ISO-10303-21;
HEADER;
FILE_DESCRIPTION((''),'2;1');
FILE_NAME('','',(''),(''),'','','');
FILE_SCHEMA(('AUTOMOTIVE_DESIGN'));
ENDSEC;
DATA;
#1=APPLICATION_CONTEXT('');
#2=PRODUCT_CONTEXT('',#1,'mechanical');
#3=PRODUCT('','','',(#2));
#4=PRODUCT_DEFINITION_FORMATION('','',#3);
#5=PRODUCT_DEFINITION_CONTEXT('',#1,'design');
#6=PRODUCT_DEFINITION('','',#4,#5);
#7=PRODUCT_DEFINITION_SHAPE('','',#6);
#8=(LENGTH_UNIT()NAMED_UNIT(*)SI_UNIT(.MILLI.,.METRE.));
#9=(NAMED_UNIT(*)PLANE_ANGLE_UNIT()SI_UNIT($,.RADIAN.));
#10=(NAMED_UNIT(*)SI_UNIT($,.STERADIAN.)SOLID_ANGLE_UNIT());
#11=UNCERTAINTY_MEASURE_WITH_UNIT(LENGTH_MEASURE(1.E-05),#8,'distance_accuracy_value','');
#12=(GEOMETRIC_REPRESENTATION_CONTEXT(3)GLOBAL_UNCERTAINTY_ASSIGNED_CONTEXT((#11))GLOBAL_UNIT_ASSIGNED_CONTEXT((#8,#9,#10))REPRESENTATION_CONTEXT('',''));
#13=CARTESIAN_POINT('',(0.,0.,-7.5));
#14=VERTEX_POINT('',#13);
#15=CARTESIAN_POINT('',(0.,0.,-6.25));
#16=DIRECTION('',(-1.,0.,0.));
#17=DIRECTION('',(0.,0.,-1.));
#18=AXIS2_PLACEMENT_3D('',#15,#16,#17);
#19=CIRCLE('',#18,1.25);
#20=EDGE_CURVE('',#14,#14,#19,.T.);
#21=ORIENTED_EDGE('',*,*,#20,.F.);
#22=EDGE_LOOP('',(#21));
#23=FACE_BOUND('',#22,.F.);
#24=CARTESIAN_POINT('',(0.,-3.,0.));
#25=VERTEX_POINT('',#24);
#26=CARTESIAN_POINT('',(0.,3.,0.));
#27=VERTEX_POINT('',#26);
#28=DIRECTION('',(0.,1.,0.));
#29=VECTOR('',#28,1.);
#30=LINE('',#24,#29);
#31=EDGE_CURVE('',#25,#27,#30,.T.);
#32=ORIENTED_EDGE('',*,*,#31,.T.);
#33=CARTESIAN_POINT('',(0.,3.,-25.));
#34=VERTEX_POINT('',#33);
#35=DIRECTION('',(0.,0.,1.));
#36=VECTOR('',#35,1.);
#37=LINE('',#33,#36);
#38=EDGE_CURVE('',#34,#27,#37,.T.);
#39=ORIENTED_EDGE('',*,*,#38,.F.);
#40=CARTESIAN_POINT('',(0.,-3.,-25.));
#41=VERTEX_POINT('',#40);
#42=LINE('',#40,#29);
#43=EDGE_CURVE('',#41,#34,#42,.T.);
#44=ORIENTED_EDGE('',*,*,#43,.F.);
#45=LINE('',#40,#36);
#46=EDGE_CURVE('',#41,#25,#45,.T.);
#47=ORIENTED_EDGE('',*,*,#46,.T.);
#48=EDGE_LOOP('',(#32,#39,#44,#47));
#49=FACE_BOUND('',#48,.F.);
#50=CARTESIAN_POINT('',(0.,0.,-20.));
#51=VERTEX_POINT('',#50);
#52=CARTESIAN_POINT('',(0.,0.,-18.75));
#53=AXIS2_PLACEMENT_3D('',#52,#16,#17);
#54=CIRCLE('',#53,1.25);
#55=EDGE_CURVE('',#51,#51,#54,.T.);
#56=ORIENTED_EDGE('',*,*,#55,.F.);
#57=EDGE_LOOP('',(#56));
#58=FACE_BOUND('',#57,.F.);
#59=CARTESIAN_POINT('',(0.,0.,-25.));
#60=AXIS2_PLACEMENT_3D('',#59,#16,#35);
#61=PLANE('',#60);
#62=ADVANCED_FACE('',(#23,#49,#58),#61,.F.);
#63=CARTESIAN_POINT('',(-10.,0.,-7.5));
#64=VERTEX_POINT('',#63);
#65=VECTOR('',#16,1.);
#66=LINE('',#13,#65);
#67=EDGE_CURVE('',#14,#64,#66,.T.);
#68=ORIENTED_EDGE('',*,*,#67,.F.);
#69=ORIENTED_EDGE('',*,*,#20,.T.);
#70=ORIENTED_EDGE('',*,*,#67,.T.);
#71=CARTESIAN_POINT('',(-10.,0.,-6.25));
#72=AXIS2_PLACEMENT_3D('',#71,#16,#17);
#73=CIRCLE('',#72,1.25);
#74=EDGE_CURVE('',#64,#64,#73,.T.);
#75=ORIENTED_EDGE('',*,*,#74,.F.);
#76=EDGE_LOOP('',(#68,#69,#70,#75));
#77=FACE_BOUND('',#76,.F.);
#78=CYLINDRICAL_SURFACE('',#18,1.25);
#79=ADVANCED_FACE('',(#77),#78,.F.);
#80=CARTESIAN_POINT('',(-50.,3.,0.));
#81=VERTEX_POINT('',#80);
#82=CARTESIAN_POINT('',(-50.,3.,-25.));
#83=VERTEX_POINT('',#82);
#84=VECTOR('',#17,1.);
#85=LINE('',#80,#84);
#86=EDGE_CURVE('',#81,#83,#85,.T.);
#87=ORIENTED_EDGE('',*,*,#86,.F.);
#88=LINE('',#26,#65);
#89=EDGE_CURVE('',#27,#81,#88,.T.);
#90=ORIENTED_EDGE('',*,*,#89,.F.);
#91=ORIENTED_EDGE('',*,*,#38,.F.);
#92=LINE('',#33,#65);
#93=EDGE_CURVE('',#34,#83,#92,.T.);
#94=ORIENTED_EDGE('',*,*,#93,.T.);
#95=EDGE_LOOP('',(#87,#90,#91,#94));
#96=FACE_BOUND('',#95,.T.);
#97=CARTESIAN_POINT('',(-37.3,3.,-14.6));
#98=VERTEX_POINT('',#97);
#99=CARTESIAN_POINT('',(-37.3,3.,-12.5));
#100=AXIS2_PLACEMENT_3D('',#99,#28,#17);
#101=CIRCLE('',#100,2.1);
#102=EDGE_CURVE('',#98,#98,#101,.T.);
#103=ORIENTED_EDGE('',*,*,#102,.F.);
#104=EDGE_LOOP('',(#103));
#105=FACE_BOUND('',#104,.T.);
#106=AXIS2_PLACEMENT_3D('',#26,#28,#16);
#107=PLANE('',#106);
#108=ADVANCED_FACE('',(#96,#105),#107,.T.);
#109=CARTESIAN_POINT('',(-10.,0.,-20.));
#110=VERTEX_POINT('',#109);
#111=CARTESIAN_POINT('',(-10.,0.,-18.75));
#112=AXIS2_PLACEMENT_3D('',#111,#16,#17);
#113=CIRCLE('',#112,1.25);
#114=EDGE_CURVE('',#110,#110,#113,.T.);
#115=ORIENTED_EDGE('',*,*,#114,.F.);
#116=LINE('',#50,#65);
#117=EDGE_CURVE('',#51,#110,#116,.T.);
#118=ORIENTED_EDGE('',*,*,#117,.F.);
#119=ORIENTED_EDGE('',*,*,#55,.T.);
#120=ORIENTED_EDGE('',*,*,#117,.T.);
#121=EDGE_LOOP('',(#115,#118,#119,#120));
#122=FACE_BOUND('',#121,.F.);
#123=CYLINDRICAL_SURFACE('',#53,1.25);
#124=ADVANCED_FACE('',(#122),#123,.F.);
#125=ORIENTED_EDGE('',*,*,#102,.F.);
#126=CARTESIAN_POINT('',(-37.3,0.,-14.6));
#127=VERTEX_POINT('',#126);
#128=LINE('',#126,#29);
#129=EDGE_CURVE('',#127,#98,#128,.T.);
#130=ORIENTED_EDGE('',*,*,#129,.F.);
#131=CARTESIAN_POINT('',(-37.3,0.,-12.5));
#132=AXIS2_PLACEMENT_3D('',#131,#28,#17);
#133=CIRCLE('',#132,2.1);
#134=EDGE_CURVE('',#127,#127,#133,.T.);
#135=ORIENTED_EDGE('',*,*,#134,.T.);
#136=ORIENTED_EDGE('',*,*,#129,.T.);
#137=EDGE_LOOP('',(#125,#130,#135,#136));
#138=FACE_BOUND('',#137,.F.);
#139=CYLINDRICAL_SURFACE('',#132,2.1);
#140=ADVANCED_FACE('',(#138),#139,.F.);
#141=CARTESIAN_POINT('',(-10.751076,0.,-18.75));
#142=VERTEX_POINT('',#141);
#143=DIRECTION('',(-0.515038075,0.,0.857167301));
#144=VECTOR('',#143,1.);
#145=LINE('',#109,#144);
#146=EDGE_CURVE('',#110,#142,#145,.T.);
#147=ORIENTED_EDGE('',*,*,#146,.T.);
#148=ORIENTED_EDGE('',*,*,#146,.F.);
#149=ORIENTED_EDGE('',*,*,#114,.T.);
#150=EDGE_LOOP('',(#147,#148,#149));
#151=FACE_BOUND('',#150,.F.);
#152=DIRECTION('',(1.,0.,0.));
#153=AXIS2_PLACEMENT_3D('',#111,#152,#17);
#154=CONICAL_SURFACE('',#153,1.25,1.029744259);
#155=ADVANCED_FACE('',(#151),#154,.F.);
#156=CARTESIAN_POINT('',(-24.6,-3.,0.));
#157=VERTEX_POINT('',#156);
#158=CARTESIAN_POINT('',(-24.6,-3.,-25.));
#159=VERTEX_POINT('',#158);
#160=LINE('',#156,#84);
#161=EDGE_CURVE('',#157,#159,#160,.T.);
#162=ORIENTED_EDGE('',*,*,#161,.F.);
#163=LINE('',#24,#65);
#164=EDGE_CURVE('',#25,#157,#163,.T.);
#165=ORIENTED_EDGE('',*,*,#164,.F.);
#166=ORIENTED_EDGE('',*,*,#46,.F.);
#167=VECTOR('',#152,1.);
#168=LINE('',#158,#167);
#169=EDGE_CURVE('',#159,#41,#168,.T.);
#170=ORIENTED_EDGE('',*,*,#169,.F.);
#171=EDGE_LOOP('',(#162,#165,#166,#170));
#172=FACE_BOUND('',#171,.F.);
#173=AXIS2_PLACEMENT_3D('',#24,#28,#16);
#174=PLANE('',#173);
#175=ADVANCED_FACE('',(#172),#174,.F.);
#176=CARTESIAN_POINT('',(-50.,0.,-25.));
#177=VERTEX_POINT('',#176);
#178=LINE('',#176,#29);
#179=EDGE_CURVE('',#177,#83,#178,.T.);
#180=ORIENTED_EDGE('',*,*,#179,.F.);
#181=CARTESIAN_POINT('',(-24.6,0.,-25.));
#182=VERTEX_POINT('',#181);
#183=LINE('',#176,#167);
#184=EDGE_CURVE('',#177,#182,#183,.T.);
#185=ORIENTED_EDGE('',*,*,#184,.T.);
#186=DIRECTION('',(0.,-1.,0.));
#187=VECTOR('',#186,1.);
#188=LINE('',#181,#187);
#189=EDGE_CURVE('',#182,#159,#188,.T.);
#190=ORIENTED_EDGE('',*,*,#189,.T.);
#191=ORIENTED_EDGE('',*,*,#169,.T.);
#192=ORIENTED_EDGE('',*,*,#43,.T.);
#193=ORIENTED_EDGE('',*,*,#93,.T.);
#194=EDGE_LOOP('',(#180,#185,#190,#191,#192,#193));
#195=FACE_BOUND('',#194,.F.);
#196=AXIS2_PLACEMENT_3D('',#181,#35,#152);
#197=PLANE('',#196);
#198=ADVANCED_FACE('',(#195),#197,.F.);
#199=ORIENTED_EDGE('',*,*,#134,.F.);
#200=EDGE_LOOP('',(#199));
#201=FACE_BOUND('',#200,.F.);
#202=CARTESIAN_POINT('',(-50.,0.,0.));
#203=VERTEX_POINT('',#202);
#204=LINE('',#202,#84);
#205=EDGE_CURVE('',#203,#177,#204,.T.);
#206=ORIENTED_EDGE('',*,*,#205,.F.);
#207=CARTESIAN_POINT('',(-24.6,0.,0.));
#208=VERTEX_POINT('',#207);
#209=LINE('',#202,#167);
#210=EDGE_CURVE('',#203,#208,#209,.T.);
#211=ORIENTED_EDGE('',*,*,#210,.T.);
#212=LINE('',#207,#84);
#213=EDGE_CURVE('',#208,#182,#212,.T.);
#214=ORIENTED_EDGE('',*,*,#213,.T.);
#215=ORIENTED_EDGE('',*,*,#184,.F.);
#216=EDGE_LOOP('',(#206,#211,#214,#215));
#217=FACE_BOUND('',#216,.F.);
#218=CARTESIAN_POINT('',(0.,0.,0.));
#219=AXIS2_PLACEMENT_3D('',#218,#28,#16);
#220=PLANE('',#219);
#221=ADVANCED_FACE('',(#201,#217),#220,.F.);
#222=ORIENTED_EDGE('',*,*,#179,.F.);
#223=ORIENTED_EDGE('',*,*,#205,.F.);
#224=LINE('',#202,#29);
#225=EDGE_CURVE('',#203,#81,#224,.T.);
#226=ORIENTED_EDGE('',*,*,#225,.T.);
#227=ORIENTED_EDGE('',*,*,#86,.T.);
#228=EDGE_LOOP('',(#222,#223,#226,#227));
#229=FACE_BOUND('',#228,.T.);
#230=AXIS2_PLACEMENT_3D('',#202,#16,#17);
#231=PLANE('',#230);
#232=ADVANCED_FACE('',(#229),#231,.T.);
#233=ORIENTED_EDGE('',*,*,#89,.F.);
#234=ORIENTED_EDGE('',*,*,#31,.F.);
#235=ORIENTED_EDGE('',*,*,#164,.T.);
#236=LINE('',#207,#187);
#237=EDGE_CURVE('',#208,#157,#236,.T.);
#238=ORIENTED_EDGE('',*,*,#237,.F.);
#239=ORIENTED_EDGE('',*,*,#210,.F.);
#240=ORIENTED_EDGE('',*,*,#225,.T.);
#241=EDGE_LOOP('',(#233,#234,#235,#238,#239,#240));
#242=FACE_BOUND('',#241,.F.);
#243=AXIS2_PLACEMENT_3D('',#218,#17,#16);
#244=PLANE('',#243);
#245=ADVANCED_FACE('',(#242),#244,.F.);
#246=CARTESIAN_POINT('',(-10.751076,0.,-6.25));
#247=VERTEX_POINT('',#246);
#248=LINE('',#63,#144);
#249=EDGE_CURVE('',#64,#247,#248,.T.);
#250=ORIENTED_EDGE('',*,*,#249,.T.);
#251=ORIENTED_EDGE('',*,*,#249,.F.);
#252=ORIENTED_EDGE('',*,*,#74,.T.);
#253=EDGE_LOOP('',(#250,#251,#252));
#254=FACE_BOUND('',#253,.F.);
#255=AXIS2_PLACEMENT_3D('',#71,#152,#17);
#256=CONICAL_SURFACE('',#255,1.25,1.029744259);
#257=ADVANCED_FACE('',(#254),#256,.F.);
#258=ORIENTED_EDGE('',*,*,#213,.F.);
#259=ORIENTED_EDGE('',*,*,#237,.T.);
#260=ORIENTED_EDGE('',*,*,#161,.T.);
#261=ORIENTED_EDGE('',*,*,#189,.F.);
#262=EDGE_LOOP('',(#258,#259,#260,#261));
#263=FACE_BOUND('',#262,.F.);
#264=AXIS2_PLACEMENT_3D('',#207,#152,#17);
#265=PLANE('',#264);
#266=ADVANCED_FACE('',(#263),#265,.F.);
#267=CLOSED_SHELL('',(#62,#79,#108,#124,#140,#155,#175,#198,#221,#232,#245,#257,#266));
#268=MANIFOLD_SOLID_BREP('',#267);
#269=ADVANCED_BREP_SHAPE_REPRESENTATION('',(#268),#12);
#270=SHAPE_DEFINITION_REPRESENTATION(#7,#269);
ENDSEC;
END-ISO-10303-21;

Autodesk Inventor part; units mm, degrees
ref_plane "YZ Plane" through (0, 0, 0) normal (1, 0, 0) x (0, 1, 0)
ref_plane "XZ Plane" through (0, 0, 0) normal (0, 1, 0) x (-1, 0, 0)
ref_plane "XY Plane" through (0, 0, 0) normal (0, 0, 1) x (1, 0, 0)
sketch "Sketch1" plane through (0, 0, 0) normal (0, 1, 0) x (-1, 0, 0)
  line L0 (0, 0) -> (24.6, 0)
  line L1 (50, 0) -> (50, -25)
  line L2 (50, -25) -> (24.6, -25)
  line L3 (0, -25) -> (0, 0)
  line L4 (50, 0) -> (24.6, 0) construction
  line L5 (24.6, 0) -> (24.6, -25)
  line L6 (24.6, -25) -> (50, -25) construction
  line L7 (50, -25) -> (50, 0) construction
  line L8 (24.6, 0) -> (50, 0)
  line L9 (24.6, -25) -> (0, -25)
  point P0 (37.3, -12.5)
  dimension "d0" = 50
  dimension "d1" = 25
  dimension "d2" = 25.4
extrude "Extrusion1" add sketch "Sketch1" along normal blind 3 contours L8 L1 L2 L5
hole "Hole1" at (-37.3, 0, -12.5) direction (0, 1, 0) diameter 4.2 end through all
extrude "Extrusion2" add sketch "Sketch1" along normal blind 3 contours L0 L5 L9 L3
extrude "Extrusion3" add sketch "Sketch1" against normal blind 3 contours L0 L5 L9 L3
sketch "Sketch2" plane through (0, 3, 0) normal (1, 0, 0) x (0, 0, -1)
  line L0 (12.5, -0.947) -> (12.5, -4.9651)
  line L1 (25, -3) -> (0, -3) projected
  point P0 (6.25, -3)
  point P1 (18.75, -3)
hole "Hole2" at (0, 0, -18.75) at (0, 0, -6.25) direction (-1, 0, 0) diameter 2.5 depth 10 tip angle 118
properties part number "Metal_mount_vertical_v1"
